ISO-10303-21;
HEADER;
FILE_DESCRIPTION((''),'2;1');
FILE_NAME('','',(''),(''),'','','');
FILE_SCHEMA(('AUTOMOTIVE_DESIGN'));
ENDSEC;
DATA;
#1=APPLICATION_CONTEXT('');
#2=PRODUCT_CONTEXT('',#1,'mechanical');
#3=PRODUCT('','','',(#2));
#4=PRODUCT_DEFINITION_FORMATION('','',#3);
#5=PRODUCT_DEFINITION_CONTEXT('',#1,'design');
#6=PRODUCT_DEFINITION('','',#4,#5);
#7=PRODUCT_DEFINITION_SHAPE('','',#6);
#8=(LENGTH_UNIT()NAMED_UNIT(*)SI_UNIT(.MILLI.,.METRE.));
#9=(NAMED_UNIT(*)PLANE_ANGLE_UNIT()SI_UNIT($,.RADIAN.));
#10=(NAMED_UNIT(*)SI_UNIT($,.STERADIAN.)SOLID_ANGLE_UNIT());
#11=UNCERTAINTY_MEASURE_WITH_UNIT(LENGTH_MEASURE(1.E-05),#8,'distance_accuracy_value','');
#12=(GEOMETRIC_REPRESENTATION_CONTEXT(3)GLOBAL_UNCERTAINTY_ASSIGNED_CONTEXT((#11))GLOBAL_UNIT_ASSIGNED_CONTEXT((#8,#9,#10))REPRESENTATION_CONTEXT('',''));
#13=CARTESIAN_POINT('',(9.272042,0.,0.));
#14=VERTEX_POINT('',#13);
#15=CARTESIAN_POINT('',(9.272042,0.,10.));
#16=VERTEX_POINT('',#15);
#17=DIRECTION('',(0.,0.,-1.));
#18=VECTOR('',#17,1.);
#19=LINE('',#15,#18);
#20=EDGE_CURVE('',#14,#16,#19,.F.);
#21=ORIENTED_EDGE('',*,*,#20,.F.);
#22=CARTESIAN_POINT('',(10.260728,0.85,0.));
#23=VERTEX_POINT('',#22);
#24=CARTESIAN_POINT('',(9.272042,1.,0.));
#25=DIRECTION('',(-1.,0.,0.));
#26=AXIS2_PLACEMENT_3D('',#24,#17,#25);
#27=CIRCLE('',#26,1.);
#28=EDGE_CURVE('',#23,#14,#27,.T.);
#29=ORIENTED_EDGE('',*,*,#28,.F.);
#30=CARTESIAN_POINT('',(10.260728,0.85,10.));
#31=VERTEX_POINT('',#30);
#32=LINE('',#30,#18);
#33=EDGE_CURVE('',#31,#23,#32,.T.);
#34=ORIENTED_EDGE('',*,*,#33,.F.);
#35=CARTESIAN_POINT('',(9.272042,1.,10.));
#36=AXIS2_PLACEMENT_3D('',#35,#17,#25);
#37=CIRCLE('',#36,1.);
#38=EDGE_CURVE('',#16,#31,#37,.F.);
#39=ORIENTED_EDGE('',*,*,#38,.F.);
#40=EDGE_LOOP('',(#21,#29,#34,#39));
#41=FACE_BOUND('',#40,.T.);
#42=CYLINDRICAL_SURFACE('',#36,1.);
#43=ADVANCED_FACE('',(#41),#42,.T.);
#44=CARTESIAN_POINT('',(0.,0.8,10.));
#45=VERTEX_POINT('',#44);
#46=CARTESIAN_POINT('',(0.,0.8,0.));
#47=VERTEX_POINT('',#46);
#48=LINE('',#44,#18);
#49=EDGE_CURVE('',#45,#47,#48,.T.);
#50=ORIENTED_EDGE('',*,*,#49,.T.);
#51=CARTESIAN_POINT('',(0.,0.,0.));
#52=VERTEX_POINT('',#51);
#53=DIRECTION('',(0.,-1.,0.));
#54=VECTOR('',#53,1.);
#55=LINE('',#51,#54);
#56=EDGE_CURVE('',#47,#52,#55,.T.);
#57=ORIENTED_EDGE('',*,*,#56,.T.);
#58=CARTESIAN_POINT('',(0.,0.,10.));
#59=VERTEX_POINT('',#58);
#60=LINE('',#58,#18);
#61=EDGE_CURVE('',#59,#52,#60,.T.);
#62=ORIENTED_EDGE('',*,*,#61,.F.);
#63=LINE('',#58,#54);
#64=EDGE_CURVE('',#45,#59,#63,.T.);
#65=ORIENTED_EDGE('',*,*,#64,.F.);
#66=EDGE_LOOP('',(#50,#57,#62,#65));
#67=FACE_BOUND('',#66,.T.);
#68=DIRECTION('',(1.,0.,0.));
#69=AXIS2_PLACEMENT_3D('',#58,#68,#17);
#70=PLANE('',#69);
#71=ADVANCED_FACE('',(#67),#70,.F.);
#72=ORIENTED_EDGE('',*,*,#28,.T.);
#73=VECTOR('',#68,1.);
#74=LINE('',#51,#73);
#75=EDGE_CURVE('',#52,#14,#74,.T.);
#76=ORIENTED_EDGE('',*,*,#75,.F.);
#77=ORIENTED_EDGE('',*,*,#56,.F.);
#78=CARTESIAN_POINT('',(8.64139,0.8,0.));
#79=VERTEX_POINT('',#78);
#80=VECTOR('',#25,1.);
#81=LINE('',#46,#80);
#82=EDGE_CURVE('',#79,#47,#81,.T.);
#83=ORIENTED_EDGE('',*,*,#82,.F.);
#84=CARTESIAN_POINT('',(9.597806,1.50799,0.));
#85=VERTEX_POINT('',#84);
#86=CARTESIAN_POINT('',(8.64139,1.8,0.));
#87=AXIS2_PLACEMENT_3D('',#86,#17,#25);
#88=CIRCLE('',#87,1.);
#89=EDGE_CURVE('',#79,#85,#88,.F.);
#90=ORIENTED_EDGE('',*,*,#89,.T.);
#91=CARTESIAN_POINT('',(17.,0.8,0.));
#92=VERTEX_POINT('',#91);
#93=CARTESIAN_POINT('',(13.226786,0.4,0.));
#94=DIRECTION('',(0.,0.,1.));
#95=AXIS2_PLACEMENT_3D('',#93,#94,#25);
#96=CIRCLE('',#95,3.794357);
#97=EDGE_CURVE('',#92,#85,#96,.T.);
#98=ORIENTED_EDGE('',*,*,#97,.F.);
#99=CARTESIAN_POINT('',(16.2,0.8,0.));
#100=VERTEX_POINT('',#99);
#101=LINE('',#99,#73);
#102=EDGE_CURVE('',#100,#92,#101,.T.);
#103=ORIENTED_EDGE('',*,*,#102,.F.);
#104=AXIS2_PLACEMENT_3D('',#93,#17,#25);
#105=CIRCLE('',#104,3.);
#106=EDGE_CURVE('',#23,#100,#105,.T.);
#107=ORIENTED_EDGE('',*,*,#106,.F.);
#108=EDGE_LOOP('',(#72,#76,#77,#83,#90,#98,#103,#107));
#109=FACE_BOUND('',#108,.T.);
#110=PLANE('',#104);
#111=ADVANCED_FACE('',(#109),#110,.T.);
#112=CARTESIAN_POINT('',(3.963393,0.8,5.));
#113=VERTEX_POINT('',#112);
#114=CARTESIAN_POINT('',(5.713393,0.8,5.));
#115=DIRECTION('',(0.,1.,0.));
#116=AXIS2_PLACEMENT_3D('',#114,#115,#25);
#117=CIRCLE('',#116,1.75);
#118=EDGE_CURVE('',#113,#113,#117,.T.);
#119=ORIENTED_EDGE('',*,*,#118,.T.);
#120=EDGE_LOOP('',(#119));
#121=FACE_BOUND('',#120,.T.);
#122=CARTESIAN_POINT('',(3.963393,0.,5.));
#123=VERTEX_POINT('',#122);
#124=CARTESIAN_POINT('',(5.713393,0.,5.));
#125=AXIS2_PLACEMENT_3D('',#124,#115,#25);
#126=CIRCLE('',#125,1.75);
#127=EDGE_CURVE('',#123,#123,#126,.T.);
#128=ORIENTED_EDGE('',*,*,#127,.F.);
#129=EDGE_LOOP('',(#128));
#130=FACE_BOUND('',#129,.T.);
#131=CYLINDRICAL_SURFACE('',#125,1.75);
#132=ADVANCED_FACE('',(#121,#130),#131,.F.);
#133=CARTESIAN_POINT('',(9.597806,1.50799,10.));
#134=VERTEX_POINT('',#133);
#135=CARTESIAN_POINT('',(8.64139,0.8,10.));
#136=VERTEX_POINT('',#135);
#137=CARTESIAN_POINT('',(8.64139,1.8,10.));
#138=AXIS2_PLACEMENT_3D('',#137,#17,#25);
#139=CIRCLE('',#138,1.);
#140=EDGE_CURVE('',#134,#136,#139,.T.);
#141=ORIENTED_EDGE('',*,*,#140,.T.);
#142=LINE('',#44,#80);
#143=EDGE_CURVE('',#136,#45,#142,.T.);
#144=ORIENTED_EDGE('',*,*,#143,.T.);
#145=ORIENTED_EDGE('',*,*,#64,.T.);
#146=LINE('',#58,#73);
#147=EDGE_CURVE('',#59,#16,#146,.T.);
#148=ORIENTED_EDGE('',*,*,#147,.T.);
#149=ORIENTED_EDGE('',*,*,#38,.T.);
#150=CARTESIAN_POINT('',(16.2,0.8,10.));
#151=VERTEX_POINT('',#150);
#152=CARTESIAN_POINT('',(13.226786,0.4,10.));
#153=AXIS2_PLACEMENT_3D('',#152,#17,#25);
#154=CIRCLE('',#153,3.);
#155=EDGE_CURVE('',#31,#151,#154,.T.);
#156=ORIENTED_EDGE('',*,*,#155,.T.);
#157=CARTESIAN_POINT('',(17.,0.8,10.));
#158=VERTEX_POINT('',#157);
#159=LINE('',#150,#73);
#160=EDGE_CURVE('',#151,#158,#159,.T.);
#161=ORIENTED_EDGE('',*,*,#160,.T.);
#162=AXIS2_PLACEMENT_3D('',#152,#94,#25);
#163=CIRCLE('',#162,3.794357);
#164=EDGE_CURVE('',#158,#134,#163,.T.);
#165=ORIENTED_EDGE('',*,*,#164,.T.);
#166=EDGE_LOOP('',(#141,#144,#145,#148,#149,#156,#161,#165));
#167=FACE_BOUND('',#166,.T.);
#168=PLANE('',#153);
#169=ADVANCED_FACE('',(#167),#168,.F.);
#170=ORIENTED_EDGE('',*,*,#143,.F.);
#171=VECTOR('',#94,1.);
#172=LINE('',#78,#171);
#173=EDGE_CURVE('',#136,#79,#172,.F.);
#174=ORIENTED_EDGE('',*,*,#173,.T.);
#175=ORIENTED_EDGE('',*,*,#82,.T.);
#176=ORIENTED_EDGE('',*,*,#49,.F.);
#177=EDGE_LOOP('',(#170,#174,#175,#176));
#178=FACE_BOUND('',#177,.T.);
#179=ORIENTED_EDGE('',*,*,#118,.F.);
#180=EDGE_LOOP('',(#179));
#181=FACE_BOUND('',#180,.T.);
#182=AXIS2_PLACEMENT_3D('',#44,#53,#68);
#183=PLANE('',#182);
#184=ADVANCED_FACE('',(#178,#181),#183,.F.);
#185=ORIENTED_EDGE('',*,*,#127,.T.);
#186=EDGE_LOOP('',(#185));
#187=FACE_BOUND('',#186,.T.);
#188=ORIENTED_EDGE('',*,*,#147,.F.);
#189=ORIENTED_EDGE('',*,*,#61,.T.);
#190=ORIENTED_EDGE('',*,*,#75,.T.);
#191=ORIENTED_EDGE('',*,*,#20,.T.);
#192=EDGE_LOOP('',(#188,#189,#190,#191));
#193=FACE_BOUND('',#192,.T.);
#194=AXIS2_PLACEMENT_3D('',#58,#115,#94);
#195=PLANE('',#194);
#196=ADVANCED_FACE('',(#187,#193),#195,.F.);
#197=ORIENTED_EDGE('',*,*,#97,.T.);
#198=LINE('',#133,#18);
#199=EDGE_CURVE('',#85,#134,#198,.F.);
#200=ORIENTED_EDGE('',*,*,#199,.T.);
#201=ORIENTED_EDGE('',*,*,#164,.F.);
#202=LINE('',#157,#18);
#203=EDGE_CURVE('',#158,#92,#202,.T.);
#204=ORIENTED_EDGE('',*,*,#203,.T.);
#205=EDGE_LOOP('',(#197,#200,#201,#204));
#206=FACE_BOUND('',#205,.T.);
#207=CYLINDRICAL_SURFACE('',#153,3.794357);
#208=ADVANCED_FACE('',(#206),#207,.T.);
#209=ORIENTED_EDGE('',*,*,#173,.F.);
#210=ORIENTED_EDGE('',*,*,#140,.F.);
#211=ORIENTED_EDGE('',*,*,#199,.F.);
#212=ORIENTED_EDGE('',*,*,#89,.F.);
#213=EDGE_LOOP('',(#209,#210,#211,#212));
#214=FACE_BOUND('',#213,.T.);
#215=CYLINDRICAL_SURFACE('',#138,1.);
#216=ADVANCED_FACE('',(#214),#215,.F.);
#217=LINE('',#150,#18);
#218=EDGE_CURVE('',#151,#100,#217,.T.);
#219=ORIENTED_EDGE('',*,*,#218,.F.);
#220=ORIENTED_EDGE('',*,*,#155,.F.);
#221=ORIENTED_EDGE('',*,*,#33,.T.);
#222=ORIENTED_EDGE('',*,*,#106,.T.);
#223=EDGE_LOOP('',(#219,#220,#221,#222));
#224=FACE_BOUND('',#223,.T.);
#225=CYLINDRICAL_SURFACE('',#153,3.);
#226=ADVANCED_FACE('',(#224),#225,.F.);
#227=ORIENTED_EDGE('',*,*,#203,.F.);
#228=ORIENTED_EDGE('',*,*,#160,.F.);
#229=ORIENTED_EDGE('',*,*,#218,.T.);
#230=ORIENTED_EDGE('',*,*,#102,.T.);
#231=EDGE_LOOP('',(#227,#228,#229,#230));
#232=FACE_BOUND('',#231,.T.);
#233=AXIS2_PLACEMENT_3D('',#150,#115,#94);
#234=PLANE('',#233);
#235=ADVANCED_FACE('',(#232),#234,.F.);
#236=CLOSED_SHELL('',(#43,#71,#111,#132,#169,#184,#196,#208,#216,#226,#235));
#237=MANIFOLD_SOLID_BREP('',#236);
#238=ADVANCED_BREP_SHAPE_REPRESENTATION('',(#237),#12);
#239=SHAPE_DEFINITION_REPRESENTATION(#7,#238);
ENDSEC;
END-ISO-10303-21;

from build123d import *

# Parameters (mm, degrees)
BOSS_EXTRUDE1_DEPTH = 10
FILLET1_R           = 1
SKETCH3_R           = 1.75
CUT_EXTRUDE1_DEPTH  = 1.8


with BuildPart() as part:
    # Sketch2 → Boss-Extrude1 (new body)
    with BuildSketch(Plane.XY):
        with BuildLine():
            Line((0, 0), (10.253572501, 0))
            ThreePointArc((10.253572501, 0), (12.826786251, 3.373213749), (16.2, 0.8))
            Line((16.2, 0.8), (17, 0.8))
            ThreePointArc((17, 0.8), (13.226786251, 4.194356599), (9.453572501, 0.8))
            Line((9.453572501, 0.8), (0, 0.8))
            Line((0, 0.8), (0, 0))
        make_face()
    extrude(amount=BOSS_EXTRUDE1_DEPTH)

    # Fillet1
    fillet1_edges = [part.edges().sort_by_distance(p)[0] for p in [
        (9.453572501, 0.8, 5),
        (10.253572501, 0, 5),
    ]]
    fillet(fillet1_edges, radius=FILLET1_R)

    # Sketch3 → Cut-Extrude1 (cut, through all)
    with BuildSketch(Plane(origin=(0, 0.8, 0), x_dir=(1, 0, 0), z_dir=(0, 1, 0))):
        with Locations((5.713393125, -5)):
            Circle(SKETCH3_R)
    extrude(amount=-CUT_EXTRUDE1_DEPTH, mode=Mode.SUBTRACT)


solid = part.part
